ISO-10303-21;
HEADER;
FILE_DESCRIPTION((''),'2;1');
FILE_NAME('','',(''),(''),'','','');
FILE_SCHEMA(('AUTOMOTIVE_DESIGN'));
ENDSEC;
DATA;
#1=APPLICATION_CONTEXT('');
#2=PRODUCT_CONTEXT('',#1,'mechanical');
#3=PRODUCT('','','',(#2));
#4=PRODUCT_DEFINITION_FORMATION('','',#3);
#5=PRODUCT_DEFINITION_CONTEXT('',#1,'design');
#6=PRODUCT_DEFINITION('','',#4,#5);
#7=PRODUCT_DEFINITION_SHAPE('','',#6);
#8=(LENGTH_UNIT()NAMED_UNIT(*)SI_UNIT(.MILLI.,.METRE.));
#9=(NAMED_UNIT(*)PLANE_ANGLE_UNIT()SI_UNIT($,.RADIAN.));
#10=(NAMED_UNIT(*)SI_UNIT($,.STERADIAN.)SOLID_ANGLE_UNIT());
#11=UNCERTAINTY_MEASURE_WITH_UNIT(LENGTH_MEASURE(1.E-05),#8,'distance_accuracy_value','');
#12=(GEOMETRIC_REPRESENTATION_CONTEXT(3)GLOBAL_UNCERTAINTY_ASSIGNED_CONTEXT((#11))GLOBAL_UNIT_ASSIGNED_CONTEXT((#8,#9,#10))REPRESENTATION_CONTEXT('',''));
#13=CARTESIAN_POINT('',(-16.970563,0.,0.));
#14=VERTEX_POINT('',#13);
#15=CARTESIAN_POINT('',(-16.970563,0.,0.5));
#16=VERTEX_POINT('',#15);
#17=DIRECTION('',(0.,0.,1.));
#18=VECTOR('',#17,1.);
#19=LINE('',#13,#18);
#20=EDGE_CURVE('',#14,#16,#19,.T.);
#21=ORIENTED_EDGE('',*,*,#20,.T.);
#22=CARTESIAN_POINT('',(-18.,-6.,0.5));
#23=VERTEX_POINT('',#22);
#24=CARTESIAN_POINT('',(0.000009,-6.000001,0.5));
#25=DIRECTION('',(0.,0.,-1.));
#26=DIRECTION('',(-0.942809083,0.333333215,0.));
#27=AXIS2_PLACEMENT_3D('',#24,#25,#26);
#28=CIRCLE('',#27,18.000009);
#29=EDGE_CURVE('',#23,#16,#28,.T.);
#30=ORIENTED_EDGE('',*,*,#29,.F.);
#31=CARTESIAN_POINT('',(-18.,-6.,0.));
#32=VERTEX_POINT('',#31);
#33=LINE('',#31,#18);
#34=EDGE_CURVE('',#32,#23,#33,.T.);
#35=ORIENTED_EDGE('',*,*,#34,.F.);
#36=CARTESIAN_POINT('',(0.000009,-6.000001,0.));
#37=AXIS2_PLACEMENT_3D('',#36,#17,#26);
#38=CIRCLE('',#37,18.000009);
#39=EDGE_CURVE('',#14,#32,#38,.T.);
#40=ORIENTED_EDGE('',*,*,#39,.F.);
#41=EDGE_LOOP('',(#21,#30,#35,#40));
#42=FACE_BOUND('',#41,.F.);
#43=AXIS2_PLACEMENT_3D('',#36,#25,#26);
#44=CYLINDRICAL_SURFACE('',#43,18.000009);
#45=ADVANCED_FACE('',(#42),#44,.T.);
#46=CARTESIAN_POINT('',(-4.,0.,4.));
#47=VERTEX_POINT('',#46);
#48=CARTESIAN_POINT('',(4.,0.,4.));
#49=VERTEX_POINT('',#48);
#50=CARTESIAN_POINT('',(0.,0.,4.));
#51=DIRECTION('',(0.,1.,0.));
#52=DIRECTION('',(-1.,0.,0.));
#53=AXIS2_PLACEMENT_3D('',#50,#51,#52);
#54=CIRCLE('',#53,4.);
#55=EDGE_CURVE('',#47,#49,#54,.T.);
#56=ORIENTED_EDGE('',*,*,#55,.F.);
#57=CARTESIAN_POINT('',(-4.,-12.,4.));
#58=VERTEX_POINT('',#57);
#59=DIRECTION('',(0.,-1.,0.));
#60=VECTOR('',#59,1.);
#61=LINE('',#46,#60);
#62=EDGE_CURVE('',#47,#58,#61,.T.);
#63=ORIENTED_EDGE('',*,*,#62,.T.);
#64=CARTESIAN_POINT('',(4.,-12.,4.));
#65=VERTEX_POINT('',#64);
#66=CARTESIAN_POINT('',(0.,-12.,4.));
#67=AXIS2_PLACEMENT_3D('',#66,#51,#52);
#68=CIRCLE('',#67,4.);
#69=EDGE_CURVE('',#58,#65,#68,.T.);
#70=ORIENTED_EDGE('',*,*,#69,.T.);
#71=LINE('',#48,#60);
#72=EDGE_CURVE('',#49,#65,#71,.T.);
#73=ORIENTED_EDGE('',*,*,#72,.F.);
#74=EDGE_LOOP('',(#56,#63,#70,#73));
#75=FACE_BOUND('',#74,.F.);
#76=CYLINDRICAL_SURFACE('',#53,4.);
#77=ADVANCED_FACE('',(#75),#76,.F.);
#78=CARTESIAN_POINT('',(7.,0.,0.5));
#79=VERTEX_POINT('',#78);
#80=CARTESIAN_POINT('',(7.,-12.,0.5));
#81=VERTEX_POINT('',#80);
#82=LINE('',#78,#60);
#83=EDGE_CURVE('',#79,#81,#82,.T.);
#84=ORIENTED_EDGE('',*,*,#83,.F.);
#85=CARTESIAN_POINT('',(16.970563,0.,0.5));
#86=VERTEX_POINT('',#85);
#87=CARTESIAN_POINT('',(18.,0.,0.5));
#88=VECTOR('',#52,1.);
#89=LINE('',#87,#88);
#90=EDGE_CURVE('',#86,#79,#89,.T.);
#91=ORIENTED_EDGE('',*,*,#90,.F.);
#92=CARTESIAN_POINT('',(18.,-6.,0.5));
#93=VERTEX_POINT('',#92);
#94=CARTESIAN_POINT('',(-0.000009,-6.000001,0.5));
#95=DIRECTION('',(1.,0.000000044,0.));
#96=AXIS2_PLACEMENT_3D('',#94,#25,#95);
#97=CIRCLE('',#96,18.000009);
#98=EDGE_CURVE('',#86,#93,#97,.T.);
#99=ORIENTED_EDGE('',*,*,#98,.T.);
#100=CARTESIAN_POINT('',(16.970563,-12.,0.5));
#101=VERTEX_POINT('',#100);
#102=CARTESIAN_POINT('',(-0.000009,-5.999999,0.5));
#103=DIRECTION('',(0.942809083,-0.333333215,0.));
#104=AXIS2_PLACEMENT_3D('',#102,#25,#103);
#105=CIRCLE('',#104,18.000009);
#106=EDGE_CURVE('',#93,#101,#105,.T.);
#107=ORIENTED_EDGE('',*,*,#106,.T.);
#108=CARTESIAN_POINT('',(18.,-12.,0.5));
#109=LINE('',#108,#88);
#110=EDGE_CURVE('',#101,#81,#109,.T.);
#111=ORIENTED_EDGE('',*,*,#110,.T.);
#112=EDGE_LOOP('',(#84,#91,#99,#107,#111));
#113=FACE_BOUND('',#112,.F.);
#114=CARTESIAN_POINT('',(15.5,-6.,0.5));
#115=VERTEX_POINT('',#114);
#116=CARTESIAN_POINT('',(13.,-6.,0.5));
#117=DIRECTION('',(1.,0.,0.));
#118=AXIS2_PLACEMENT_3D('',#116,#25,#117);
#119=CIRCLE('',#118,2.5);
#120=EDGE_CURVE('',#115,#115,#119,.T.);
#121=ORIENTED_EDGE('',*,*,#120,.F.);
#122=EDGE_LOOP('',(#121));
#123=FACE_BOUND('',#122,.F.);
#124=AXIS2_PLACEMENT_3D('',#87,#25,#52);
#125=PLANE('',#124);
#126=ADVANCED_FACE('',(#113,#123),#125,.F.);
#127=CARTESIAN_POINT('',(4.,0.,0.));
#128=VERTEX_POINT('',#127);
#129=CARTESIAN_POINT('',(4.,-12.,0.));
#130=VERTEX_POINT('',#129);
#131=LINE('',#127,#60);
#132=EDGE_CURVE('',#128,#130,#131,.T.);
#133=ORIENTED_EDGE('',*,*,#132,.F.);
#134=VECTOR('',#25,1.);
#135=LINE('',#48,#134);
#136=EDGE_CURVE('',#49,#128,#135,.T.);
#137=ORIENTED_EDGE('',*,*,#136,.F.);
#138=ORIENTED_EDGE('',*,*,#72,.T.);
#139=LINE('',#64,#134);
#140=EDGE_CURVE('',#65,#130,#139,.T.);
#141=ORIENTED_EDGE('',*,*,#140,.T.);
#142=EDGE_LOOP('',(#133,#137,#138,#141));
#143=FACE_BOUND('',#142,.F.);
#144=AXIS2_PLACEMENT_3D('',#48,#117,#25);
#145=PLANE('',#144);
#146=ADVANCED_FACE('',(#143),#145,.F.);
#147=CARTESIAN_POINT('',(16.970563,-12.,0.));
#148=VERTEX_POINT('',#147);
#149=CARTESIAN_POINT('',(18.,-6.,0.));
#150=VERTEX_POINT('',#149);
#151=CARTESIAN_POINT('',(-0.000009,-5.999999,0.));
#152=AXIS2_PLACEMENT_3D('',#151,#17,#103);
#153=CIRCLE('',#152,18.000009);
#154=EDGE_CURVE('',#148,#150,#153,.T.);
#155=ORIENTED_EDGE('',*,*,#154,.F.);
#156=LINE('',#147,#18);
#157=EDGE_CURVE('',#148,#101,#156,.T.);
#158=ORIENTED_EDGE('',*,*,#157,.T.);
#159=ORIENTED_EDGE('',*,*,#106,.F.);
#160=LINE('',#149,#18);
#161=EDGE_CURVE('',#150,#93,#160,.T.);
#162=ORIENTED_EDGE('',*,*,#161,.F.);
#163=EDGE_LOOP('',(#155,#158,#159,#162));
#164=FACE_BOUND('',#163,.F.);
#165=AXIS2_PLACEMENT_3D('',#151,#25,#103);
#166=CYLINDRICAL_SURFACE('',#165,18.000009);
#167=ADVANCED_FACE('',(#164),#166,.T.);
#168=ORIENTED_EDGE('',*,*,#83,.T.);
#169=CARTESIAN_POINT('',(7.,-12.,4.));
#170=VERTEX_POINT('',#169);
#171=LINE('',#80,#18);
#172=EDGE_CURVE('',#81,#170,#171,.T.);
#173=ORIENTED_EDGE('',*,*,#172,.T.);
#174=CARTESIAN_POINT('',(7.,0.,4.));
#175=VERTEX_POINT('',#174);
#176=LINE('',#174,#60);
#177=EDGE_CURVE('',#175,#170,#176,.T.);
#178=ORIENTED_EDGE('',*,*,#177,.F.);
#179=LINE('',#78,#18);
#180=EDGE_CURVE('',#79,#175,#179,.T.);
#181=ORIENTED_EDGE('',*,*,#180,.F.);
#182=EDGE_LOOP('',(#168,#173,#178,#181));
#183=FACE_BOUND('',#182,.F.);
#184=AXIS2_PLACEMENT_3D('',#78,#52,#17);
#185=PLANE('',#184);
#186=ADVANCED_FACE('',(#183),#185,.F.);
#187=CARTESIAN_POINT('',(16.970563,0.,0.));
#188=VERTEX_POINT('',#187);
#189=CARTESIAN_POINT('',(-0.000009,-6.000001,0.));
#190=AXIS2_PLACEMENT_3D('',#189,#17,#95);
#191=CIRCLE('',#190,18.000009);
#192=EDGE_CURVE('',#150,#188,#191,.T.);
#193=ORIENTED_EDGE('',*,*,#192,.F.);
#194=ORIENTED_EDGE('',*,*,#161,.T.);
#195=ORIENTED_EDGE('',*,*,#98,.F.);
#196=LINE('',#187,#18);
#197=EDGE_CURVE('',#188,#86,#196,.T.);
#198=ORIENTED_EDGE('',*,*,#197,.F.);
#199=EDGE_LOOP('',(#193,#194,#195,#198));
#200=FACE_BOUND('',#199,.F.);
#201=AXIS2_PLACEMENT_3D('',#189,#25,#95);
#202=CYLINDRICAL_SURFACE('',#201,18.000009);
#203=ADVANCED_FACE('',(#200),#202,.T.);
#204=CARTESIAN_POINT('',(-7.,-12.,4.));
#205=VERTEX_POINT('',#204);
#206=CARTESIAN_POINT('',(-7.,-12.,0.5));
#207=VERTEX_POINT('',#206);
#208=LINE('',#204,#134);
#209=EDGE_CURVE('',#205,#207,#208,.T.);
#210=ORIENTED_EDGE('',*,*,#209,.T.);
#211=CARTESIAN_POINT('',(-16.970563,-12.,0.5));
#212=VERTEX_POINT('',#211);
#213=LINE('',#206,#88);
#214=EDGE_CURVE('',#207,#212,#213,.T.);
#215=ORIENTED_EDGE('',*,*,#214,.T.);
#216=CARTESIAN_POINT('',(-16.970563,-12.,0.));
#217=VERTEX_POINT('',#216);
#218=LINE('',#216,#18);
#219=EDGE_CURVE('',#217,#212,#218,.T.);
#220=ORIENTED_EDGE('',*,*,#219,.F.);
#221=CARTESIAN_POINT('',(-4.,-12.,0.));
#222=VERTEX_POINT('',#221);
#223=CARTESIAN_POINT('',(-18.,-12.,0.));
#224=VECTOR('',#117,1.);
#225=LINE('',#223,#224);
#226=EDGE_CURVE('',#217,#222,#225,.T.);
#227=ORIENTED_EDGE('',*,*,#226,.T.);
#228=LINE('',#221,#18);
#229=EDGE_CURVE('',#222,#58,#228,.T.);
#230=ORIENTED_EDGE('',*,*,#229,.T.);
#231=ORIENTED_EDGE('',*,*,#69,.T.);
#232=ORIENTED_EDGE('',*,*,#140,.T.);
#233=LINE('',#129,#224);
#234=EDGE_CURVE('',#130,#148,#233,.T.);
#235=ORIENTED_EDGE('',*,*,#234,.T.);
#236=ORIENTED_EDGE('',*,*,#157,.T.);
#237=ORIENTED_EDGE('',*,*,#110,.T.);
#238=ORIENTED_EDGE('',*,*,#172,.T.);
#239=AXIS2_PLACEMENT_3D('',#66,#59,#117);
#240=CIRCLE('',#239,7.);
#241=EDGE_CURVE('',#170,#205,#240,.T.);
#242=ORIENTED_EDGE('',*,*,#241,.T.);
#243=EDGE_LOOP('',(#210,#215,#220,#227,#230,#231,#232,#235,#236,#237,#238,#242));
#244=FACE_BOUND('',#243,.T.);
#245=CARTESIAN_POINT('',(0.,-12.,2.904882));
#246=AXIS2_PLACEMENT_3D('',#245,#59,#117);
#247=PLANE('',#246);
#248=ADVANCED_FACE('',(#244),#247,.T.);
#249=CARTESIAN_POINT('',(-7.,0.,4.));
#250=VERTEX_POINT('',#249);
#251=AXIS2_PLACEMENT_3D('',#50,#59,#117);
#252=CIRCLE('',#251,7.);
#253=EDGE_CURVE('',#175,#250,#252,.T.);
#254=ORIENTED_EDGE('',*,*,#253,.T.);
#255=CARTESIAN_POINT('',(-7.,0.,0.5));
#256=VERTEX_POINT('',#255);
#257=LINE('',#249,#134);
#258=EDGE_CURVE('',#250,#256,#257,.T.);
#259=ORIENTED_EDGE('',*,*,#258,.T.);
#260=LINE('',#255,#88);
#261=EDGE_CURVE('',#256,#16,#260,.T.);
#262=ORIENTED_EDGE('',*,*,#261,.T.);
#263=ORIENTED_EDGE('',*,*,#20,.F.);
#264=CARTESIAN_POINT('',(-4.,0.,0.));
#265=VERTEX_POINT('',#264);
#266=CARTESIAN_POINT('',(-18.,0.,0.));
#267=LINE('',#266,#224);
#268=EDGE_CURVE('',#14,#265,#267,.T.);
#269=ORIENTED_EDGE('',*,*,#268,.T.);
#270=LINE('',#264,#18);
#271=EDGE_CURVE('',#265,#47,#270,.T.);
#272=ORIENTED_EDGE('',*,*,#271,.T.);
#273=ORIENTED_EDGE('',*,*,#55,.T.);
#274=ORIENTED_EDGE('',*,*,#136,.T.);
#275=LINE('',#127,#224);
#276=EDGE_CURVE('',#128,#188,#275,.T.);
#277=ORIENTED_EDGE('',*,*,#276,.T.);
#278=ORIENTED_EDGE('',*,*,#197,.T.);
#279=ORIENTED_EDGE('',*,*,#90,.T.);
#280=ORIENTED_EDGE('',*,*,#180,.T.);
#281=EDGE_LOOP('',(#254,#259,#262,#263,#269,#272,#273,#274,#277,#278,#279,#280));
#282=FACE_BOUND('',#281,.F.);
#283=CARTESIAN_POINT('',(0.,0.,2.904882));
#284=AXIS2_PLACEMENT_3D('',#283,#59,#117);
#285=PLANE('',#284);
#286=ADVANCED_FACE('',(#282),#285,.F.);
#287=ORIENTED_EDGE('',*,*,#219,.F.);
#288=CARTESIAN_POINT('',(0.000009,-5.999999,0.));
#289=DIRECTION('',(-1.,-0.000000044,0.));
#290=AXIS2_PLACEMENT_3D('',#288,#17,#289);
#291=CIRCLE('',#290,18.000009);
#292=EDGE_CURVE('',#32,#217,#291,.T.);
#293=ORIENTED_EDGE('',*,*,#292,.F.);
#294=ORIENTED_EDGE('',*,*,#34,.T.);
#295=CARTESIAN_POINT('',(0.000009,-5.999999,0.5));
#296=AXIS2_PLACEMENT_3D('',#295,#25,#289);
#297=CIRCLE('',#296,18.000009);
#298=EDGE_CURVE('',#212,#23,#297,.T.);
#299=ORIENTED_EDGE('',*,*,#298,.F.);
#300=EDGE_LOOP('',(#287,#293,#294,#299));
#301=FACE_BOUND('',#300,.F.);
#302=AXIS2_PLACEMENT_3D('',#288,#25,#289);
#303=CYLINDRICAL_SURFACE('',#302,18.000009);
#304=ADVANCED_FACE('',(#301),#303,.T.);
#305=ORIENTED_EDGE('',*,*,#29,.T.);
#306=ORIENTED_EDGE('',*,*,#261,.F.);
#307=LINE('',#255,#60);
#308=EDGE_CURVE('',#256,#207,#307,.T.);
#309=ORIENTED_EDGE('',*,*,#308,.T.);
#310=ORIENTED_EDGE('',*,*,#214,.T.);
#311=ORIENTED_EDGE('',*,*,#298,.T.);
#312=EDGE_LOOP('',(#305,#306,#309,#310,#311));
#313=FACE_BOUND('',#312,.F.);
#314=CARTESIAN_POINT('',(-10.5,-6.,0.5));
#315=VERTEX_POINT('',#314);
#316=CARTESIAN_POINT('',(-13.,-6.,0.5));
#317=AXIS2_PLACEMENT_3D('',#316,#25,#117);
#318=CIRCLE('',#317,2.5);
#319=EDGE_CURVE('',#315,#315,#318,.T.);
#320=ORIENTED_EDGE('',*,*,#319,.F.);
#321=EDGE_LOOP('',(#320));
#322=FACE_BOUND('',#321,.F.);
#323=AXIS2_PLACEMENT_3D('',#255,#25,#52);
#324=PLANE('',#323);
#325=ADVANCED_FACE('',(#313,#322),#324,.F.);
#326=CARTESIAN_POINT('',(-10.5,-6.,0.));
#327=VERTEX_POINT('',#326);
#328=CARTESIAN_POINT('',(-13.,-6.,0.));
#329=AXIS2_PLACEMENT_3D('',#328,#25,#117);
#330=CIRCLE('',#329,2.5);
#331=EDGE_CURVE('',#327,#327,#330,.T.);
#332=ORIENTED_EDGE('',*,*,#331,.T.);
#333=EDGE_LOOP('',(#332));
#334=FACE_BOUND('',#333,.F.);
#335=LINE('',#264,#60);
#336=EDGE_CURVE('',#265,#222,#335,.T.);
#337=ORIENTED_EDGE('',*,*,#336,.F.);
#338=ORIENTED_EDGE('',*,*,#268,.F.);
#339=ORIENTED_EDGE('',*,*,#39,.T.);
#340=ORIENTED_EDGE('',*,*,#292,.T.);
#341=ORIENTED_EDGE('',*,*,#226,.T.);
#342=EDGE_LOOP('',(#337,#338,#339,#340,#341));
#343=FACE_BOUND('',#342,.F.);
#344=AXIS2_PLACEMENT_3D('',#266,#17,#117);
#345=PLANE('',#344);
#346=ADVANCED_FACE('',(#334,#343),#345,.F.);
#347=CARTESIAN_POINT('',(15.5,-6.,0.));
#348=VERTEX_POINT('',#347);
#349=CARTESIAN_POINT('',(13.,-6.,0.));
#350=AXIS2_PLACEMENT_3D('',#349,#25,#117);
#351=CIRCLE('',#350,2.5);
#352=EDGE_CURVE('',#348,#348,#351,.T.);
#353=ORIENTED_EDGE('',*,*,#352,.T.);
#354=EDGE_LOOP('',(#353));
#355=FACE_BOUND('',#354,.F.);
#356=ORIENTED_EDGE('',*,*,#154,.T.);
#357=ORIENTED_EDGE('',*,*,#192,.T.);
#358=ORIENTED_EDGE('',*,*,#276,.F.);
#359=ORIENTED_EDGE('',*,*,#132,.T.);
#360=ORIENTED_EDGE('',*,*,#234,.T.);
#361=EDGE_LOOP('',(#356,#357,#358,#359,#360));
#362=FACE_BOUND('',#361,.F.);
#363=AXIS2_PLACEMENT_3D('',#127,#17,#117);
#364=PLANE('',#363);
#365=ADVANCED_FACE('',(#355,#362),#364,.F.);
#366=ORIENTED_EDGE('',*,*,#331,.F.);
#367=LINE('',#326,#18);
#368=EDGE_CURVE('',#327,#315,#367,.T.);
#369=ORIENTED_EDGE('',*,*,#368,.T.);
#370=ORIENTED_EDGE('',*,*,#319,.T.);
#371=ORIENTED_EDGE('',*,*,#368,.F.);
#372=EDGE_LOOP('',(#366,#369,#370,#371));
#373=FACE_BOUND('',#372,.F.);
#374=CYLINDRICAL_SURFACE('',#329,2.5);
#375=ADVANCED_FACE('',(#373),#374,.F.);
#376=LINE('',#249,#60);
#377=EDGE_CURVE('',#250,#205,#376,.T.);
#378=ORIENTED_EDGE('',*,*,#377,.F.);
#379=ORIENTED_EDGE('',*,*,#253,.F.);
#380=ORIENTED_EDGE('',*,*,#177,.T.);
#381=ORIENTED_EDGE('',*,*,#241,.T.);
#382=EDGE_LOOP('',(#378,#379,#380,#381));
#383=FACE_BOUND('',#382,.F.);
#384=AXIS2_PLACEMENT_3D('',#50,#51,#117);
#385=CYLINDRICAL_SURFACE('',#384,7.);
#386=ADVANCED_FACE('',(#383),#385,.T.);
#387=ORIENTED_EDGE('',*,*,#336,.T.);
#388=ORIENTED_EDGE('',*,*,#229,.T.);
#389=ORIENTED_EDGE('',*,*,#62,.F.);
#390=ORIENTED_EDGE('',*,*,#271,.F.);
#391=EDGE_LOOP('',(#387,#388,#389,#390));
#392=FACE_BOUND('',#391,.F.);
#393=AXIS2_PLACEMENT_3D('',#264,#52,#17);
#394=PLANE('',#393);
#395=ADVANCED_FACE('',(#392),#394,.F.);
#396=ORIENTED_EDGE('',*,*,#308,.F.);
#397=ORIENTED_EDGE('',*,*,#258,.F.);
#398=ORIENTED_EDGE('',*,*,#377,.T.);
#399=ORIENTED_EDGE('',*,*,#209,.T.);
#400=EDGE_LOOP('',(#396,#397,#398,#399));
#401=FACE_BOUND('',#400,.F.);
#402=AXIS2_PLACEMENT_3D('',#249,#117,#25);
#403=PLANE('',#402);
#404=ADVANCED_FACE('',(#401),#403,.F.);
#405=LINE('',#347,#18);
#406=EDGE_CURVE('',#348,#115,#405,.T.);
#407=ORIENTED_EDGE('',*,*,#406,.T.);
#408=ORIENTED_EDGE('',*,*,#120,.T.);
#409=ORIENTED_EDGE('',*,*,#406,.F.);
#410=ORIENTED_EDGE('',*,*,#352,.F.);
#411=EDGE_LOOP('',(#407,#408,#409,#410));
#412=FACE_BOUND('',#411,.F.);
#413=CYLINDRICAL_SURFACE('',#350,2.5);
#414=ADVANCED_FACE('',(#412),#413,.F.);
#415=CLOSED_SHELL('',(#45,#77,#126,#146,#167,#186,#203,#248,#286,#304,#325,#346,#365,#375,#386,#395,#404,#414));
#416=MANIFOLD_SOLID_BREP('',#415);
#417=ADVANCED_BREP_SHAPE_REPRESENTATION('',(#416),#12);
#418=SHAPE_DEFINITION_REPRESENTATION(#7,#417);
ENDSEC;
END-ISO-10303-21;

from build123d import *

# Parameters (mm, degrees)
F1_DEPTH = 12
F2_R     = 2.5
F3_DEPTH = 25


with BuildPart() as f1:
    # F0 (on Front) → F1 (new body)
    with BuildSketch(Plane.XZ):
        with BuildLine():
            ThreePointArc((-4, 4), (0, 8), (4, 4))
            Line((4, 4), (4, 0))
            Line((4, 0), (18, 0))
            Line((18, 0), (18, 0.5))
            Line((18, 0.5), (7, 0.5))
            Line((7, 0.5), (7, 4))
            ThreePointArc((7, 4), (0, 11), (-7, 4))
            Line((-7, 4), (-7, 0.5))
            Line((-7, 0.5), (-18, 0.5))
            Line((-18, 0.5), (-18, 0))
            Line((-18, 0), (-4, 0))
            Line((-4, 0), (-4, 4))
        make_face()
    extrude(amount=F1_DEPTH)

    # F2 (on face) → F3 (cut)
    with BuildSketch(Plane(origin=(0, 0, 0), x_dir=(1, 0, 0), z_dir=(0, 0, -1))):
        with Locations((-13, 6)):
            Circle(F2_R)
        with Locations((13, 6)):
            Circle(F2_R)
        with BuildLine():
            ThreePointArc((-16.970563, 0), (-17.740774, 2.956164), (-18, 6))
            Line((-18, 6), (-18, 0))
            Line((-18, 0), (-16.970563, 0))
        make_face()
        with BuildLine():
            ThreePointArc((-18, 6), (-17.740774, 9.043836), (-16.970563, 12))
            Line((-16.970563, 12), (-18, 12))
            Line((-18, 12), (-18, 6))
        make_face()
        with BuildLine():
            ThreePointArc((16.970563, 12), (17.740774, 9.043836), (18, 6))
            Line((18, 6), (18, 12))
            Line((18, 12), (16.970563, 12))
        make_face()
        with BuildLine():
            Line((16.970563, 0), (18, 0))
            Line((18, 0), (18, 6))
            ThreePointArc((18, 6), (17.740774, 2.956164), (16.970563, 0))
        make_face()
    extrude(amount=-F3_DEPTH, mode=Mode.SUBTRACT)


solid = f1.part
